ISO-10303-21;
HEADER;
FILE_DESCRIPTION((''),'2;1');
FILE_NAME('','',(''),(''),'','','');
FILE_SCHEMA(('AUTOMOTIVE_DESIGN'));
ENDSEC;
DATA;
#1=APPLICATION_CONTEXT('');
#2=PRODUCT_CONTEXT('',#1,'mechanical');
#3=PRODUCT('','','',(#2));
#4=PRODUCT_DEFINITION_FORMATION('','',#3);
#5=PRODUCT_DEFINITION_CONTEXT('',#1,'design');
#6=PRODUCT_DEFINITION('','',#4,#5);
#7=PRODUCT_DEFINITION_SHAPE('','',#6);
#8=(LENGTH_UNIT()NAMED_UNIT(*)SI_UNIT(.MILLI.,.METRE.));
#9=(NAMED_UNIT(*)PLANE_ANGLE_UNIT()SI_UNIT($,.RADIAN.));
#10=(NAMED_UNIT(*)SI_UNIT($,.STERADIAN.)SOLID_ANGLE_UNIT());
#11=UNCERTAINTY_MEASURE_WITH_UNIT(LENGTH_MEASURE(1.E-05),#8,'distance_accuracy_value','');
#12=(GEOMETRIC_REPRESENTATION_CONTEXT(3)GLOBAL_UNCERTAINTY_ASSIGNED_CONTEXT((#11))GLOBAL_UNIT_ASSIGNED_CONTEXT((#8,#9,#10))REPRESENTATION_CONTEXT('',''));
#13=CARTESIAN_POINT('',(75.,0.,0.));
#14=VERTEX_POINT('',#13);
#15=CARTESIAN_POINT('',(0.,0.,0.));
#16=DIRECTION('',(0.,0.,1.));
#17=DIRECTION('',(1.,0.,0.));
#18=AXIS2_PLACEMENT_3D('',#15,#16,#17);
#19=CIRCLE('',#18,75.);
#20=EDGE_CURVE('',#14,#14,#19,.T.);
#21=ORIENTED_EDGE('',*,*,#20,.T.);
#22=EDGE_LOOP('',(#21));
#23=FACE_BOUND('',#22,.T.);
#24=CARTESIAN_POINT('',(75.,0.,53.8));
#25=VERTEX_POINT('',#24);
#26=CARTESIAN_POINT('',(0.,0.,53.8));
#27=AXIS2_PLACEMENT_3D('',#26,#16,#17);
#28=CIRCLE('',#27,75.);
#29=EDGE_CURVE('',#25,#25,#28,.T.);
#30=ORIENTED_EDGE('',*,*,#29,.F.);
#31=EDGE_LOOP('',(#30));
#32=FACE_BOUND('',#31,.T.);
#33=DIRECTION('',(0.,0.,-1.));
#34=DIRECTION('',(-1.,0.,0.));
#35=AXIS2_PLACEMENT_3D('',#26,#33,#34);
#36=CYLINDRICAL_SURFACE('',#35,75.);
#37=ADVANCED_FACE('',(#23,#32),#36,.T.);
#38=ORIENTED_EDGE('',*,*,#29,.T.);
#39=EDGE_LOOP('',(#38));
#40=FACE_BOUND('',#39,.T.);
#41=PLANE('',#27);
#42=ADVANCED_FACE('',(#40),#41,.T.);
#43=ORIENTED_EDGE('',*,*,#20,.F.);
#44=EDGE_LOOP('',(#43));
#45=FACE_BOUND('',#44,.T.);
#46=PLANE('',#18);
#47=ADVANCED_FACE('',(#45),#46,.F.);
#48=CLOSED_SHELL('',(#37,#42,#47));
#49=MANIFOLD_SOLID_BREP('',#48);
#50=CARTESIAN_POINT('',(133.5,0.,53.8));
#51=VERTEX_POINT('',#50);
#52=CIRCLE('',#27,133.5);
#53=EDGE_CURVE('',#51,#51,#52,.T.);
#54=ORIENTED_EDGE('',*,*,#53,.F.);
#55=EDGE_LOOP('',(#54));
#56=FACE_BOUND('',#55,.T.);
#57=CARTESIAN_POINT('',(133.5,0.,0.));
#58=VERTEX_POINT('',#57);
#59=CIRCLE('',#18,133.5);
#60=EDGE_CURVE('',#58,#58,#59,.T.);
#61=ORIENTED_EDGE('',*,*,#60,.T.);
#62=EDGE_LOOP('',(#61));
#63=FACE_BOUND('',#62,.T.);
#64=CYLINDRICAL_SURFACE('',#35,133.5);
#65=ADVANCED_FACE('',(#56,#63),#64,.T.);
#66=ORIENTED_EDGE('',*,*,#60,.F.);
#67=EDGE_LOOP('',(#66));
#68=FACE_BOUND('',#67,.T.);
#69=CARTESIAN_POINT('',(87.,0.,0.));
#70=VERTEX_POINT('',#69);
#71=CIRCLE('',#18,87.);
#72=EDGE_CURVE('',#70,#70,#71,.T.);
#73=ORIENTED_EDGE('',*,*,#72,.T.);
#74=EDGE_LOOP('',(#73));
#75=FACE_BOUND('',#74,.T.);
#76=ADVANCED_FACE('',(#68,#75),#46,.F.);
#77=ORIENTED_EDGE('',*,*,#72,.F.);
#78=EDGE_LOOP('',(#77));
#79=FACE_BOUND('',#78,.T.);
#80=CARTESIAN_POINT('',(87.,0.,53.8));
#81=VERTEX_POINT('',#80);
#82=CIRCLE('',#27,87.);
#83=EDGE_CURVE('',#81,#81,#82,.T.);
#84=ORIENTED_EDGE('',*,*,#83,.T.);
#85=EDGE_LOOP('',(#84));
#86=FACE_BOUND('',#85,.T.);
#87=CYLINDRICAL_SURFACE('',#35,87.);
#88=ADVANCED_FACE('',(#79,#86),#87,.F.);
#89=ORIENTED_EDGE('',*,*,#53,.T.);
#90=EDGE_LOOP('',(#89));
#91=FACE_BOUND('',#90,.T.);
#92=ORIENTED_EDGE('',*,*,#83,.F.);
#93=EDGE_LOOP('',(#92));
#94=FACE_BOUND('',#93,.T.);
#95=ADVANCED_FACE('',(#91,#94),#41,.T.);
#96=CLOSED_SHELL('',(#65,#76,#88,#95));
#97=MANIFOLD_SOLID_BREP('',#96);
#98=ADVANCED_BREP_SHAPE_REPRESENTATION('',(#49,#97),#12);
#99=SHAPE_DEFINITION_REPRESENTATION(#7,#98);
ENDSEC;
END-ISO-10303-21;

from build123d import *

# Parameters (mm, degrees)
SKETCH1_R           = 75
BOSS_EXTRUDE1_DEPTH = 53.8
SKETCH1_3_R         = 133.5
SKETCH1_3_R_2       = 87
BOSS_EXTRUDE2_DEPTH = 53.8


with BuildPart() as part:
    # Sketch1 → Boss-Extrude1 (new body)
    with BuildSketch(Plane.XY):
        Circle(SKETCH1_R)
    extrude(amount=BOSS_EXTRUDE1_DEPTH)


with BuildPart() as body_2:
    # Sketch1<3> → Boss-Extrude2 (new body)
    with BuildSketch(Plane.XY):
        Circle(SKETCH1_3_R)
        Circle(SKETCH1_3_R_2, mode=Mode.SUBTRACT)
    extrude(amount=BOSS_EXTRUDE2_DEPTH)


solid = Compound([part.part, body_2.part])
